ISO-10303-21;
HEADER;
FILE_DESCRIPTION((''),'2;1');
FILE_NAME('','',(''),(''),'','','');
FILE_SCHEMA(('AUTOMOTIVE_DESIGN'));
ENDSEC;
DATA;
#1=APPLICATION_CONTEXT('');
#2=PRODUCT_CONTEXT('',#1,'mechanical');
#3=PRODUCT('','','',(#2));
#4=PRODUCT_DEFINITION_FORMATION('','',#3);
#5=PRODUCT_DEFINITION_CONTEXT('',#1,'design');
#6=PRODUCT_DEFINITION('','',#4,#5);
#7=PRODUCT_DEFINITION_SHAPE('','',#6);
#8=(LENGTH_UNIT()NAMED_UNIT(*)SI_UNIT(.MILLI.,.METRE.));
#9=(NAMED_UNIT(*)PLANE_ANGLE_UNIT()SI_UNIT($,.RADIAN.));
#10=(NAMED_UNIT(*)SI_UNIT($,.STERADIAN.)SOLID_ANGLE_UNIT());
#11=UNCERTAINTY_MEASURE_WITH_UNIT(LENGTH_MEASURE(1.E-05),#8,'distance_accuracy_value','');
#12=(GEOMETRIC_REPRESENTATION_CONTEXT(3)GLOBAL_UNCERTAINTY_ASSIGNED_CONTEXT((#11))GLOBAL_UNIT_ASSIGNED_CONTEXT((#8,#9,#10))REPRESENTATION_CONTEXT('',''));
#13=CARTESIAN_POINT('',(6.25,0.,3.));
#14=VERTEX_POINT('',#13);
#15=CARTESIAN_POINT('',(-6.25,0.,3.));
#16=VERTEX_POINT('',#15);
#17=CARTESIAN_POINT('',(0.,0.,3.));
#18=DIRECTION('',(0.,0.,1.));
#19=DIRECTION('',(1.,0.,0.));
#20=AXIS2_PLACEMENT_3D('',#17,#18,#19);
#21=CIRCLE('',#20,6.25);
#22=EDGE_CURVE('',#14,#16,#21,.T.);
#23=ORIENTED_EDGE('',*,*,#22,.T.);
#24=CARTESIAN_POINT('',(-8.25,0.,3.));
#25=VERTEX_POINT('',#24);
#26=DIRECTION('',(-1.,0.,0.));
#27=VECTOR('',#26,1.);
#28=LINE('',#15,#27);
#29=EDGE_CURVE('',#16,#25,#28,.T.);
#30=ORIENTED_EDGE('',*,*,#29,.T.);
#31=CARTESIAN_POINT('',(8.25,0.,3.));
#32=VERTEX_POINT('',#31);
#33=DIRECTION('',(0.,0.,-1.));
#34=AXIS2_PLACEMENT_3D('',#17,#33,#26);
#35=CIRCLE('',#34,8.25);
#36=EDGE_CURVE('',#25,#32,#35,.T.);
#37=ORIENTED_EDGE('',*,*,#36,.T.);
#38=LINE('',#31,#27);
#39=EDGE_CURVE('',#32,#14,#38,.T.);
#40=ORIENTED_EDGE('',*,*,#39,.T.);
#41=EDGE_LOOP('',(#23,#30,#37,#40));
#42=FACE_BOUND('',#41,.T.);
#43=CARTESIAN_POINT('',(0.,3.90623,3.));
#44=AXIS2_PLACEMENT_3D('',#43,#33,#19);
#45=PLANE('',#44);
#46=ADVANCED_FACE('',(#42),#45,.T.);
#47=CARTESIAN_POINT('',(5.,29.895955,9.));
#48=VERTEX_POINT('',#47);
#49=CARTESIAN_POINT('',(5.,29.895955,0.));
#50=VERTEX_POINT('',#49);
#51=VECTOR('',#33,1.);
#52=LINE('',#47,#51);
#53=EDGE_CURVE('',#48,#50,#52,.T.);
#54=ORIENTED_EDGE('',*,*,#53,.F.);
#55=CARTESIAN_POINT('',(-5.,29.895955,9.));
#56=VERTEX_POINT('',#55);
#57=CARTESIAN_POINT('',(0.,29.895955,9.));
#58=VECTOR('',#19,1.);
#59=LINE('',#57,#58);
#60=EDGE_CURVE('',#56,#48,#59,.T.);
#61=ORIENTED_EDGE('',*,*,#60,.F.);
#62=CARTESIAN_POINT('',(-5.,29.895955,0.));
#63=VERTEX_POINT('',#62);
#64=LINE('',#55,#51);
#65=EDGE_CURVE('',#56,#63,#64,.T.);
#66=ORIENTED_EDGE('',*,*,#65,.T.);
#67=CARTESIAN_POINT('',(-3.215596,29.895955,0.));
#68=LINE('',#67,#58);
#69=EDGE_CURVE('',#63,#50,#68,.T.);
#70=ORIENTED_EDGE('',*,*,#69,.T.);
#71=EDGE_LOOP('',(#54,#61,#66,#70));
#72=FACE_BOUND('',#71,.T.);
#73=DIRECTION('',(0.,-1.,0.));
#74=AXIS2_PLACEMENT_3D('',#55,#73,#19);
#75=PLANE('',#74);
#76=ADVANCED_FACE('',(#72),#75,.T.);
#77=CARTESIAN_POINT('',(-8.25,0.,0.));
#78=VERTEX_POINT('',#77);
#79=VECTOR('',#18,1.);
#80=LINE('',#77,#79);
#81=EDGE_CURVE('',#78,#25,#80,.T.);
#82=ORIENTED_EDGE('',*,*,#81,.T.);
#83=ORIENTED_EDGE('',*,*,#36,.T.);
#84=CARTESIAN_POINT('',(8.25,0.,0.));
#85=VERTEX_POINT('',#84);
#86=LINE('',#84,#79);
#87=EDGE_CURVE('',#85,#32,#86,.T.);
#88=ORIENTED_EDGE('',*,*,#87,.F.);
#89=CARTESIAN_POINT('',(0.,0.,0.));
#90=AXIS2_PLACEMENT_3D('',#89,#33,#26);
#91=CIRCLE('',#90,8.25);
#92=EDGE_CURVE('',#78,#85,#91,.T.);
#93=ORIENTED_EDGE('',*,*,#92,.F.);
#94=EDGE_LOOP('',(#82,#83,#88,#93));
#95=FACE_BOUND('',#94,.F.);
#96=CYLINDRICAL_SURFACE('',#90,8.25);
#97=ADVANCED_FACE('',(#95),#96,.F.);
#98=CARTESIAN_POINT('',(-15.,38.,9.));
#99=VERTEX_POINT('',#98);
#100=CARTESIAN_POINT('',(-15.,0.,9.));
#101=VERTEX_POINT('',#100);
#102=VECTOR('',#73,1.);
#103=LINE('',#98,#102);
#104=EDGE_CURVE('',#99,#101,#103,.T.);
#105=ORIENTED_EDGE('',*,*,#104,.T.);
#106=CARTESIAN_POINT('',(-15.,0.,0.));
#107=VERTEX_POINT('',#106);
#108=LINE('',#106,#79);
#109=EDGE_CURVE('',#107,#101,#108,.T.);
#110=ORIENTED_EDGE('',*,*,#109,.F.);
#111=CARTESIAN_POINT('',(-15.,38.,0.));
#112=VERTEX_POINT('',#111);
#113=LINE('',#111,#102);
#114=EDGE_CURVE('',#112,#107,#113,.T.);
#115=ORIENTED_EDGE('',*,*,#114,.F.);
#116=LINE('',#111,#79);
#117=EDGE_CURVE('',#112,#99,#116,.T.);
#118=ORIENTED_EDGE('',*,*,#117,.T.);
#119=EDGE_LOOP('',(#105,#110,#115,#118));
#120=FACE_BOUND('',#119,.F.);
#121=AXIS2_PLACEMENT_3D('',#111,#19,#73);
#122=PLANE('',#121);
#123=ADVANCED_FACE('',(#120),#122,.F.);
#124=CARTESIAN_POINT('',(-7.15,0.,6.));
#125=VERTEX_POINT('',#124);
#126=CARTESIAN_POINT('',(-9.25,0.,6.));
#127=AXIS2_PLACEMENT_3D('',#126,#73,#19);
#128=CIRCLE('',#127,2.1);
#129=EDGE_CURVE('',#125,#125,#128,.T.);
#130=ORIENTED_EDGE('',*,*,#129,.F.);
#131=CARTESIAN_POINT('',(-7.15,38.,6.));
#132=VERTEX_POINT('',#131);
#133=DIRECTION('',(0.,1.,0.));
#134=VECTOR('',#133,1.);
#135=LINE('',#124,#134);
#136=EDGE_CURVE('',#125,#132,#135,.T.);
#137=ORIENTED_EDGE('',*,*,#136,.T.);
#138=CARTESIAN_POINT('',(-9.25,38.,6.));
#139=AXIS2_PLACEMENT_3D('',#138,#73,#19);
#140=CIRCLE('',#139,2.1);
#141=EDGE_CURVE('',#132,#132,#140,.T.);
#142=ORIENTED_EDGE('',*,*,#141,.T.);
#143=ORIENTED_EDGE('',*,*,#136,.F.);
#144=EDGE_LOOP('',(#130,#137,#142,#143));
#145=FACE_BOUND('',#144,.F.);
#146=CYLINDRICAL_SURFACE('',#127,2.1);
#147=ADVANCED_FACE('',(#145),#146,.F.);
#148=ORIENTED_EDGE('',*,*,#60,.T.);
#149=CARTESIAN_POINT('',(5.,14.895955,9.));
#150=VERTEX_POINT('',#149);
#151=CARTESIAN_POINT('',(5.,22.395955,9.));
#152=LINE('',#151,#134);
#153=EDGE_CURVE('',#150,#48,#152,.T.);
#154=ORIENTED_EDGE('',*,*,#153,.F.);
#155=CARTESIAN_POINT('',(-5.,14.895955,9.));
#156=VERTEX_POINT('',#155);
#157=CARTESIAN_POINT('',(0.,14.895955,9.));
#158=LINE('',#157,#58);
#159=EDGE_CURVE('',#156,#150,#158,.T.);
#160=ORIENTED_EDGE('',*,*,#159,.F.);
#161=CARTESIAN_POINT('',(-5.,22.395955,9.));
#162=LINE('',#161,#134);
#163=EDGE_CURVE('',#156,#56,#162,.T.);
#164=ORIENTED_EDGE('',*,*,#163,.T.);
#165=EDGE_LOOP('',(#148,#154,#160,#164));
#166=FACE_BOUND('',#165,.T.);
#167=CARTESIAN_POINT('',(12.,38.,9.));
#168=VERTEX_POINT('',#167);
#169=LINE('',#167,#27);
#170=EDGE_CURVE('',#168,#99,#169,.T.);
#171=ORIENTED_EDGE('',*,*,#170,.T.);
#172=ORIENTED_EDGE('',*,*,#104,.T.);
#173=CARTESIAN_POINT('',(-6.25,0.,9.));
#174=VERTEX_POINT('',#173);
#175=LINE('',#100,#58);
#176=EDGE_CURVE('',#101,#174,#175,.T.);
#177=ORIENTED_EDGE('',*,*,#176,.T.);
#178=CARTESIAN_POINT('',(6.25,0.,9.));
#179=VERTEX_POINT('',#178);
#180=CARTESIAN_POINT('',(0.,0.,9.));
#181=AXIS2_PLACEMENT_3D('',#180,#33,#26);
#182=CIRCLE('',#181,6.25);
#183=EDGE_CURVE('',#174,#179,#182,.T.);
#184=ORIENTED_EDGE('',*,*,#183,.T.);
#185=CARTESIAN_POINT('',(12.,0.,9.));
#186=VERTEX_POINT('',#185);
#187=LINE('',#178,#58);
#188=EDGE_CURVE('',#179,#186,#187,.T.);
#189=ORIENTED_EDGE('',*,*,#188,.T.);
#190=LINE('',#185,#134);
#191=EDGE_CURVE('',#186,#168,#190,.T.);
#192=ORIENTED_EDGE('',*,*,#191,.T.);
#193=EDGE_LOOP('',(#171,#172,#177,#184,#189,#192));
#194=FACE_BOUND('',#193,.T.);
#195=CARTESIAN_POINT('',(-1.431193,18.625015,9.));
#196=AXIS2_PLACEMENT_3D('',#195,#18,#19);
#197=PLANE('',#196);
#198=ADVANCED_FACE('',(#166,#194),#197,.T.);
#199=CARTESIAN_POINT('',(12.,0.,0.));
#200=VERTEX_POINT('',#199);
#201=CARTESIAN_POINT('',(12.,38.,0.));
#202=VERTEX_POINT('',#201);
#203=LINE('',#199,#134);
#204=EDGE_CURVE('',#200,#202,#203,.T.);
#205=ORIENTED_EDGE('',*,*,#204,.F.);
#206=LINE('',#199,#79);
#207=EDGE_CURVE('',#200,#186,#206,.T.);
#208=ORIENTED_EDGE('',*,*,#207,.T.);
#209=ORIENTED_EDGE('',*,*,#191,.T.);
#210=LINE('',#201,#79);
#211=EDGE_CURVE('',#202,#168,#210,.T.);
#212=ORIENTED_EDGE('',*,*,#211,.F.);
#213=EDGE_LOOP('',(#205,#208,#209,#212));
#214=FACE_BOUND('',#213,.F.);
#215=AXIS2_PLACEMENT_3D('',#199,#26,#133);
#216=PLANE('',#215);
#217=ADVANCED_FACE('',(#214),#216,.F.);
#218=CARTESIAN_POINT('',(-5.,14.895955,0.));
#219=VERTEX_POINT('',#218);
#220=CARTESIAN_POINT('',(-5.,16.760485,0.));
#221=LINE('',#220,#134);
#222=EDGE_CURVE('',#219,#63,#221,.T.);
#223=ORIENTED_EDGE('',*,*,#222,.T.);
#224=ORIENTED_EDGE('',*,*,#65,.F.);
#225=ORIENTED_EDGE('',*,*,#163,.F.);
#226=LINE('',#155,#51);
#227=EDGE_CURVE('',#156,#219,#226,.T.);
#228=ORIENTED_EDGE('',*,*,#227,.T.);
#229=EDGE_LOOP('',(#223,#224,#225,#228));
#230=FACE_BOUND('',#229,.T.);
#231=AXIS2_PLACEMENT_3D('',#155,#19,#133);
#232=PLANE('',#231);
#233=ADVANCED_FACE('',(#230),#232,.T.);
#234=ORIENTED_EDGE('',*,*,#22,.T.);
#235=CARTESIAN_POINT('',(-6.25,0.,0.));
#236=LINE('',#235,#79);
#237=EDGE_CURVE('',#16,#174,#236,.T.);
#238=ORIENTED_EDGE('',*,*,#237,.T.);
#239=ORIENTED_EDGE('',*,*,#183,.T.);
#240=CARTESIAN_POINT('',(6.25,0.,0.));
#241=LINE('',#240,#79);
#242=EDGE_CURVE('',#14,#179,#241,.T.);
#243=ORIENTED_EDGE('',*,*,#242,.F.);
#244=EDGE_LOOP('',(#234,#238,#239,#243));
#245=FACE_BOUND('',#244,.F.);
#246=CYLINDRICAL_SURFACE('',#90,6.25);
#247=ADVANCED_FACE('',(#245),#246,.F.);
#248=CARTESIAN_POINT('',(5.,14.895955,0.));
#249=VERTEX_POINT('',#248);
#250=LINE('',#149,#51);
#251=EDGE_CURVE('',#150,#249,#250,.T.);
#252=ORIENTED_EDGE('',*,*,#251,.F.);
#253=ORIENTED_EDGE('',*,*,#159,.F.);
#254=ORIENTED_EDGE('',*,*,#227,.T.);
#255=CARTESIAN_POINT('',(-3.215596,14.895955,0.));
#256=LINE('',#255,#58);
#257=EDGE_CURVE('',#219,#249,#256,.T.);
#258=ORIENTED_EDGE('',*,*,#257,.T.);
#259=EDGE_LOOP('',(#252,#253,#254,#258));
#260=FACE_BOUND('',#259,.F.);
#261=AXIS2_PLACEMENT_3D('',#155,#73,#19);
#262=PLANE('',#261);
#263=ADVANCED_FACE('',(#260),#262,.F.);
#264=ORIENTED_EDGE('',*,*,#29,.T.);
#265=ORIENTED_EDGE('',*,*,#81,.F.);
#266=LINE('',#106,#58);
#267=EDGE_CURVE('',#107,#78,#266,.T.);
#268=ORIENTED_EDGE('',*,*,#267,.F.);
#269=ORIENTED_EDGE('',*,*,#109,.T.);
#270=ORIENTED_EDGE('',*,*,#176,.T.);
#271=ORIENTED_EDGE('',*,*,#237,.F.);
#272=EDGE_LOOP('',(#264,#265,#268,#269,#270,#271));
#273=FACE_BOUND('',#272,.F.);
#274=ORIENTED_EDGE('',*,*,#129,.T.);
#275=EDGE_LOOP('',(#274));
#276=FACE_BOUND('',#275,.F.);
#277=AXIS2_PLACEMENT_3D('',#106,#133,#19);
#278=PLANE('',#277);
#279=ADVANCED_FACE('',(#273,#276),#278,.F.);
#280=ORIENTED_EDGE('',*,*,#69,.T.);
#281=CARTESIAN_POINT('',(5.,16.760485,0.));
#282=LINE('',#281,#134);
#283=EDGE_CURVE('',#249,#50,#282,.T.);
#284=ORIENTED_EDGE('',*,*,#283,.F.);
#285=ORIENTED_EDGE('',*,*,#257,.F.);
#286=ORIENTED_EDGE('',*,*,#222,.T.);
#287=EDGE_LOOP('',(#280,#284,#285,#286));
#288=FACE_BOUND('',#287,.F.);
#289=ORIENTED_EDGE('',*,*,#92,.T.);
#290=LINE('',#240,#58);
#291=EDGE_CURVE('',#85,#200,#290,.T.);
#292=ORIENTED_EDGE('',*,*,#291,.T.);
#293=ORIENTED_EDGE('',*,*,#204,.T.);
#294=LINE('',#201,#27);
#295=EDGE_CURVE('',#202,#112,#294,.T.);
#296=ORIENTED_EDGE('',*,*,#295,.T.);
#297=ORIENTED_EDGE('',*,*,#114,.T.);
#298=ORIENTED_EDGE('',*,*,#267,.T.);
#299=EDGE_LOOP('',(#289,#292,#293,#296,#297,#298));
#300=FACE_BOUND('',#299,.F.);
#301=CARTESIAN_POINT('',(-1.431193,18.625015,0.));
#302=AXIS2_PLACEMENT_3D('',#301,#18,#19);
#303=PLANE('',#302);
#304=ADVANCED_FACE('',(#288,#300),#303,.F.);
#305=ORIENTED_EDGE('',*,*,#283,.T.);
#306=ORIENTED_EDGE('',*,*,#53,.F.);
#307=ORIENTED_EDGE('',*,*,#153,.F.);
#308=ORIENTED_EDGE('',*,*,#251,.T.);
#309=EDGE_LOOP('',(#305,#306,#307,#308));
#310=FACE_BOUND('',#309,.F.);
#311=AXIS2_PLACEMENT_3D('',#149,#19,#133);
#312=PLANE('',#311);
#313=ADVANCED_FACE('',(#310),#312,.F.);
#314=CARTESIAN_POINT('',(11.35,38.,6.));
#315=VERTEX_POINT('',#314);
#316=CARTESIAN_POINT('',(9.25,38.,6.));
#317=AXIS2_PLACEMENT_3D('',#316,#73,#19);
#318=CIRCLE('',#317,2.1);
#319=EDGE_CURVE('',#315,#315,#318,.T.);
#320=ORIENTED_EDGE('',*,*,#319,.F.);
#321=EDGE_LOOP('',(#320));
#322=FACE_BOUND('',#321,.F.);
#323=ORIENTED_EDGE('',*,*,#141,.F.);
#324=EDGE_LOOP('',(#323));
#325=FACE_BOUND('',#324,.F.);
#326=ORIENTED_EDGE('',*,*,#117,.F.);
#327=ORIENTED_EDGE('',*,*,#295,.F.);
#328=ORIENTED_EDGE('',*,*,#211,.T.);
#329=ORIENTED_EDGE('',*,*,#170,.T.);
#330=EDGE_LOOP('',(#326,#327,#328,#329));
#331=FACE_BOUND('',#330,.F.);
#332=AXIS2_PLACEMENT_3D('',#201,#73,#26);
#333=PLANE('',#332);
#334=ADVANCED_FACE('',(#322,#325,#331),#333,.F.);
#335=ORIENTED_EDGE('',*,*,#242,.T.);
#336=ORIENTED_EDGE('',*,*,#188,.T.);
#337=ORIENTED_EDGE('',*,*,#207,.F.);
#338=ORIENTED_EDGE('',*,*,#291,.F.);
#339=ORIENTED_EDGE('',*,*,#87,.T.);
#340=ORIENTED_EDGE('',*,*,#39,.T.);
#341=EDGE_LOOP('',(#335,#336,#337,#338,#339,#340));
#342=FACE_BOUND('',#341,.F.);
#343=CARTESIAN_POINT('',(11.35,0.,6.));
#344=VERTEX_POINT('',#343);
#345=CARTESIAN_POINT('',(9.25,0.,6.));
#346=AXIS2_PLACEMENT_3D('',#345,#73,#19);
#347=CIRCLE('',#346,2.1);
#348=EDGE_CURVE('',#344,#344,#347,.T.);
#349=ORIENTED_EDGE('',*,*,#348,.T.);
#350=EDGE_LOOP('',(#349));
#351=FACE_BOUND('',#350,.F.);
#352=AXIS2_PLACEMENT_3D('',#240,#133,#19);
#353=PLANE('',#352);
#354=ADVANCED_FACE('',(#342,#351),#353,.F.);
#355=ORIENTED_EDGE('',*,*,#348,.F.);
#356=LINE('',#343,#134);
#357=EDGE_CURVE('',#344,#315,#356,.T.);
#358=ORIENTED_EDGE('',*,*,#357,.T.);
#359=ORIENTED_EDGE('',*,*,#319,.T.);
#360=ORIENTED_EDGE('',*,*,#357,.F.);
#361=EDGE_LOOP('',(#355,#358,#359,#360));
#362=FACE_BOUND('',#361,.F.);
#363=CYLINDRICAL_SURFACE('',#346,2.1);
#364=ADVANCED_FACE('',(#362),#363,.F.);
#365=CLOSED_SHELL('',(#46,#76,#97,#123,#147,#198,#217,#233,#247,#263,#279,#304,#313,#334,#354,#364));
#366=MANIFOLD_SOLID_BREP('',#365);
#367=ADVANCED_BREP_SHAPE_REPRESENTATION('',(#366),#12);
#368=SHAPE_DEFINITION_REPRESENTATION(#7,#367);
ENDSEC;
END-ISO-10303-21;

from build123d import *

# Parameters (mm, degrees)
F1_DEPTH = 9
F3_DEPTH = 3
F4_R     = 2.1
F5_DEPTH = 38.001
F6_W     = 10
F6_H     = 15
F7_DEPTH = 9.001


with BuildPart() as f1:
    # F0 (on Top) → F1 (new body)
    with BuildSketch(Plane.XY):
        with BuildLine():
            Line((-15, 38), (-15, 0))
            Line((-15, 0), (-6.25, 0))
            ThreePointArc((-6.25, 0), (0, 6.25), (6.25, 0))
            Line((6.25, 0), (12, 0))
            Line((12, 0), (12, 38))
            Line((12, 38), (-15, 38))
        make_face()
    extrude(amount=F1_DEPTH)

    # F2 (on face) → F3 (cut)
    with BuildSketch(Plane(origin=(0, 0, 0), x_dir=(1, 0, 0), z_dir=(0, 0, -1))):
        with BuildLine():
            ThreePointArc((6.25, 0), (0, -6.25), (-6.25, 0))
            Line((-6.25, 0), (-8.25, 0))
            ThreePointArc((-8.25, 0), (0, -8.25), (8.25, 0))
            Line((8.25, 0), (6.25, 0))
        make_face()
    extrude(amount=-F3_DEPTH, mode=Mode.SUBTRACT)

    # F4 (on Front) → F5 (cut, through all)
    with BuildSketch(Plane.XZ):
        with Locations((-9.25, 6)):
            Circle(F4_R)
        with Locations((9.25, 6)):
            Circle(F4_R)
    extrude(amount=-F5_DEPTH, mode=Mode.SUBTRACT)

    # F6 (on face) → F7 (cut, through all)
    with BuildSketch(Plane.XY.offset(9)):
        with Locations((0, 22.395955)):
            Rectangle(F6_W, F6_H)
    extrude(amount=-F7_DEPTH, mode=Mode.SUBTRACT)


solid = f1.part
